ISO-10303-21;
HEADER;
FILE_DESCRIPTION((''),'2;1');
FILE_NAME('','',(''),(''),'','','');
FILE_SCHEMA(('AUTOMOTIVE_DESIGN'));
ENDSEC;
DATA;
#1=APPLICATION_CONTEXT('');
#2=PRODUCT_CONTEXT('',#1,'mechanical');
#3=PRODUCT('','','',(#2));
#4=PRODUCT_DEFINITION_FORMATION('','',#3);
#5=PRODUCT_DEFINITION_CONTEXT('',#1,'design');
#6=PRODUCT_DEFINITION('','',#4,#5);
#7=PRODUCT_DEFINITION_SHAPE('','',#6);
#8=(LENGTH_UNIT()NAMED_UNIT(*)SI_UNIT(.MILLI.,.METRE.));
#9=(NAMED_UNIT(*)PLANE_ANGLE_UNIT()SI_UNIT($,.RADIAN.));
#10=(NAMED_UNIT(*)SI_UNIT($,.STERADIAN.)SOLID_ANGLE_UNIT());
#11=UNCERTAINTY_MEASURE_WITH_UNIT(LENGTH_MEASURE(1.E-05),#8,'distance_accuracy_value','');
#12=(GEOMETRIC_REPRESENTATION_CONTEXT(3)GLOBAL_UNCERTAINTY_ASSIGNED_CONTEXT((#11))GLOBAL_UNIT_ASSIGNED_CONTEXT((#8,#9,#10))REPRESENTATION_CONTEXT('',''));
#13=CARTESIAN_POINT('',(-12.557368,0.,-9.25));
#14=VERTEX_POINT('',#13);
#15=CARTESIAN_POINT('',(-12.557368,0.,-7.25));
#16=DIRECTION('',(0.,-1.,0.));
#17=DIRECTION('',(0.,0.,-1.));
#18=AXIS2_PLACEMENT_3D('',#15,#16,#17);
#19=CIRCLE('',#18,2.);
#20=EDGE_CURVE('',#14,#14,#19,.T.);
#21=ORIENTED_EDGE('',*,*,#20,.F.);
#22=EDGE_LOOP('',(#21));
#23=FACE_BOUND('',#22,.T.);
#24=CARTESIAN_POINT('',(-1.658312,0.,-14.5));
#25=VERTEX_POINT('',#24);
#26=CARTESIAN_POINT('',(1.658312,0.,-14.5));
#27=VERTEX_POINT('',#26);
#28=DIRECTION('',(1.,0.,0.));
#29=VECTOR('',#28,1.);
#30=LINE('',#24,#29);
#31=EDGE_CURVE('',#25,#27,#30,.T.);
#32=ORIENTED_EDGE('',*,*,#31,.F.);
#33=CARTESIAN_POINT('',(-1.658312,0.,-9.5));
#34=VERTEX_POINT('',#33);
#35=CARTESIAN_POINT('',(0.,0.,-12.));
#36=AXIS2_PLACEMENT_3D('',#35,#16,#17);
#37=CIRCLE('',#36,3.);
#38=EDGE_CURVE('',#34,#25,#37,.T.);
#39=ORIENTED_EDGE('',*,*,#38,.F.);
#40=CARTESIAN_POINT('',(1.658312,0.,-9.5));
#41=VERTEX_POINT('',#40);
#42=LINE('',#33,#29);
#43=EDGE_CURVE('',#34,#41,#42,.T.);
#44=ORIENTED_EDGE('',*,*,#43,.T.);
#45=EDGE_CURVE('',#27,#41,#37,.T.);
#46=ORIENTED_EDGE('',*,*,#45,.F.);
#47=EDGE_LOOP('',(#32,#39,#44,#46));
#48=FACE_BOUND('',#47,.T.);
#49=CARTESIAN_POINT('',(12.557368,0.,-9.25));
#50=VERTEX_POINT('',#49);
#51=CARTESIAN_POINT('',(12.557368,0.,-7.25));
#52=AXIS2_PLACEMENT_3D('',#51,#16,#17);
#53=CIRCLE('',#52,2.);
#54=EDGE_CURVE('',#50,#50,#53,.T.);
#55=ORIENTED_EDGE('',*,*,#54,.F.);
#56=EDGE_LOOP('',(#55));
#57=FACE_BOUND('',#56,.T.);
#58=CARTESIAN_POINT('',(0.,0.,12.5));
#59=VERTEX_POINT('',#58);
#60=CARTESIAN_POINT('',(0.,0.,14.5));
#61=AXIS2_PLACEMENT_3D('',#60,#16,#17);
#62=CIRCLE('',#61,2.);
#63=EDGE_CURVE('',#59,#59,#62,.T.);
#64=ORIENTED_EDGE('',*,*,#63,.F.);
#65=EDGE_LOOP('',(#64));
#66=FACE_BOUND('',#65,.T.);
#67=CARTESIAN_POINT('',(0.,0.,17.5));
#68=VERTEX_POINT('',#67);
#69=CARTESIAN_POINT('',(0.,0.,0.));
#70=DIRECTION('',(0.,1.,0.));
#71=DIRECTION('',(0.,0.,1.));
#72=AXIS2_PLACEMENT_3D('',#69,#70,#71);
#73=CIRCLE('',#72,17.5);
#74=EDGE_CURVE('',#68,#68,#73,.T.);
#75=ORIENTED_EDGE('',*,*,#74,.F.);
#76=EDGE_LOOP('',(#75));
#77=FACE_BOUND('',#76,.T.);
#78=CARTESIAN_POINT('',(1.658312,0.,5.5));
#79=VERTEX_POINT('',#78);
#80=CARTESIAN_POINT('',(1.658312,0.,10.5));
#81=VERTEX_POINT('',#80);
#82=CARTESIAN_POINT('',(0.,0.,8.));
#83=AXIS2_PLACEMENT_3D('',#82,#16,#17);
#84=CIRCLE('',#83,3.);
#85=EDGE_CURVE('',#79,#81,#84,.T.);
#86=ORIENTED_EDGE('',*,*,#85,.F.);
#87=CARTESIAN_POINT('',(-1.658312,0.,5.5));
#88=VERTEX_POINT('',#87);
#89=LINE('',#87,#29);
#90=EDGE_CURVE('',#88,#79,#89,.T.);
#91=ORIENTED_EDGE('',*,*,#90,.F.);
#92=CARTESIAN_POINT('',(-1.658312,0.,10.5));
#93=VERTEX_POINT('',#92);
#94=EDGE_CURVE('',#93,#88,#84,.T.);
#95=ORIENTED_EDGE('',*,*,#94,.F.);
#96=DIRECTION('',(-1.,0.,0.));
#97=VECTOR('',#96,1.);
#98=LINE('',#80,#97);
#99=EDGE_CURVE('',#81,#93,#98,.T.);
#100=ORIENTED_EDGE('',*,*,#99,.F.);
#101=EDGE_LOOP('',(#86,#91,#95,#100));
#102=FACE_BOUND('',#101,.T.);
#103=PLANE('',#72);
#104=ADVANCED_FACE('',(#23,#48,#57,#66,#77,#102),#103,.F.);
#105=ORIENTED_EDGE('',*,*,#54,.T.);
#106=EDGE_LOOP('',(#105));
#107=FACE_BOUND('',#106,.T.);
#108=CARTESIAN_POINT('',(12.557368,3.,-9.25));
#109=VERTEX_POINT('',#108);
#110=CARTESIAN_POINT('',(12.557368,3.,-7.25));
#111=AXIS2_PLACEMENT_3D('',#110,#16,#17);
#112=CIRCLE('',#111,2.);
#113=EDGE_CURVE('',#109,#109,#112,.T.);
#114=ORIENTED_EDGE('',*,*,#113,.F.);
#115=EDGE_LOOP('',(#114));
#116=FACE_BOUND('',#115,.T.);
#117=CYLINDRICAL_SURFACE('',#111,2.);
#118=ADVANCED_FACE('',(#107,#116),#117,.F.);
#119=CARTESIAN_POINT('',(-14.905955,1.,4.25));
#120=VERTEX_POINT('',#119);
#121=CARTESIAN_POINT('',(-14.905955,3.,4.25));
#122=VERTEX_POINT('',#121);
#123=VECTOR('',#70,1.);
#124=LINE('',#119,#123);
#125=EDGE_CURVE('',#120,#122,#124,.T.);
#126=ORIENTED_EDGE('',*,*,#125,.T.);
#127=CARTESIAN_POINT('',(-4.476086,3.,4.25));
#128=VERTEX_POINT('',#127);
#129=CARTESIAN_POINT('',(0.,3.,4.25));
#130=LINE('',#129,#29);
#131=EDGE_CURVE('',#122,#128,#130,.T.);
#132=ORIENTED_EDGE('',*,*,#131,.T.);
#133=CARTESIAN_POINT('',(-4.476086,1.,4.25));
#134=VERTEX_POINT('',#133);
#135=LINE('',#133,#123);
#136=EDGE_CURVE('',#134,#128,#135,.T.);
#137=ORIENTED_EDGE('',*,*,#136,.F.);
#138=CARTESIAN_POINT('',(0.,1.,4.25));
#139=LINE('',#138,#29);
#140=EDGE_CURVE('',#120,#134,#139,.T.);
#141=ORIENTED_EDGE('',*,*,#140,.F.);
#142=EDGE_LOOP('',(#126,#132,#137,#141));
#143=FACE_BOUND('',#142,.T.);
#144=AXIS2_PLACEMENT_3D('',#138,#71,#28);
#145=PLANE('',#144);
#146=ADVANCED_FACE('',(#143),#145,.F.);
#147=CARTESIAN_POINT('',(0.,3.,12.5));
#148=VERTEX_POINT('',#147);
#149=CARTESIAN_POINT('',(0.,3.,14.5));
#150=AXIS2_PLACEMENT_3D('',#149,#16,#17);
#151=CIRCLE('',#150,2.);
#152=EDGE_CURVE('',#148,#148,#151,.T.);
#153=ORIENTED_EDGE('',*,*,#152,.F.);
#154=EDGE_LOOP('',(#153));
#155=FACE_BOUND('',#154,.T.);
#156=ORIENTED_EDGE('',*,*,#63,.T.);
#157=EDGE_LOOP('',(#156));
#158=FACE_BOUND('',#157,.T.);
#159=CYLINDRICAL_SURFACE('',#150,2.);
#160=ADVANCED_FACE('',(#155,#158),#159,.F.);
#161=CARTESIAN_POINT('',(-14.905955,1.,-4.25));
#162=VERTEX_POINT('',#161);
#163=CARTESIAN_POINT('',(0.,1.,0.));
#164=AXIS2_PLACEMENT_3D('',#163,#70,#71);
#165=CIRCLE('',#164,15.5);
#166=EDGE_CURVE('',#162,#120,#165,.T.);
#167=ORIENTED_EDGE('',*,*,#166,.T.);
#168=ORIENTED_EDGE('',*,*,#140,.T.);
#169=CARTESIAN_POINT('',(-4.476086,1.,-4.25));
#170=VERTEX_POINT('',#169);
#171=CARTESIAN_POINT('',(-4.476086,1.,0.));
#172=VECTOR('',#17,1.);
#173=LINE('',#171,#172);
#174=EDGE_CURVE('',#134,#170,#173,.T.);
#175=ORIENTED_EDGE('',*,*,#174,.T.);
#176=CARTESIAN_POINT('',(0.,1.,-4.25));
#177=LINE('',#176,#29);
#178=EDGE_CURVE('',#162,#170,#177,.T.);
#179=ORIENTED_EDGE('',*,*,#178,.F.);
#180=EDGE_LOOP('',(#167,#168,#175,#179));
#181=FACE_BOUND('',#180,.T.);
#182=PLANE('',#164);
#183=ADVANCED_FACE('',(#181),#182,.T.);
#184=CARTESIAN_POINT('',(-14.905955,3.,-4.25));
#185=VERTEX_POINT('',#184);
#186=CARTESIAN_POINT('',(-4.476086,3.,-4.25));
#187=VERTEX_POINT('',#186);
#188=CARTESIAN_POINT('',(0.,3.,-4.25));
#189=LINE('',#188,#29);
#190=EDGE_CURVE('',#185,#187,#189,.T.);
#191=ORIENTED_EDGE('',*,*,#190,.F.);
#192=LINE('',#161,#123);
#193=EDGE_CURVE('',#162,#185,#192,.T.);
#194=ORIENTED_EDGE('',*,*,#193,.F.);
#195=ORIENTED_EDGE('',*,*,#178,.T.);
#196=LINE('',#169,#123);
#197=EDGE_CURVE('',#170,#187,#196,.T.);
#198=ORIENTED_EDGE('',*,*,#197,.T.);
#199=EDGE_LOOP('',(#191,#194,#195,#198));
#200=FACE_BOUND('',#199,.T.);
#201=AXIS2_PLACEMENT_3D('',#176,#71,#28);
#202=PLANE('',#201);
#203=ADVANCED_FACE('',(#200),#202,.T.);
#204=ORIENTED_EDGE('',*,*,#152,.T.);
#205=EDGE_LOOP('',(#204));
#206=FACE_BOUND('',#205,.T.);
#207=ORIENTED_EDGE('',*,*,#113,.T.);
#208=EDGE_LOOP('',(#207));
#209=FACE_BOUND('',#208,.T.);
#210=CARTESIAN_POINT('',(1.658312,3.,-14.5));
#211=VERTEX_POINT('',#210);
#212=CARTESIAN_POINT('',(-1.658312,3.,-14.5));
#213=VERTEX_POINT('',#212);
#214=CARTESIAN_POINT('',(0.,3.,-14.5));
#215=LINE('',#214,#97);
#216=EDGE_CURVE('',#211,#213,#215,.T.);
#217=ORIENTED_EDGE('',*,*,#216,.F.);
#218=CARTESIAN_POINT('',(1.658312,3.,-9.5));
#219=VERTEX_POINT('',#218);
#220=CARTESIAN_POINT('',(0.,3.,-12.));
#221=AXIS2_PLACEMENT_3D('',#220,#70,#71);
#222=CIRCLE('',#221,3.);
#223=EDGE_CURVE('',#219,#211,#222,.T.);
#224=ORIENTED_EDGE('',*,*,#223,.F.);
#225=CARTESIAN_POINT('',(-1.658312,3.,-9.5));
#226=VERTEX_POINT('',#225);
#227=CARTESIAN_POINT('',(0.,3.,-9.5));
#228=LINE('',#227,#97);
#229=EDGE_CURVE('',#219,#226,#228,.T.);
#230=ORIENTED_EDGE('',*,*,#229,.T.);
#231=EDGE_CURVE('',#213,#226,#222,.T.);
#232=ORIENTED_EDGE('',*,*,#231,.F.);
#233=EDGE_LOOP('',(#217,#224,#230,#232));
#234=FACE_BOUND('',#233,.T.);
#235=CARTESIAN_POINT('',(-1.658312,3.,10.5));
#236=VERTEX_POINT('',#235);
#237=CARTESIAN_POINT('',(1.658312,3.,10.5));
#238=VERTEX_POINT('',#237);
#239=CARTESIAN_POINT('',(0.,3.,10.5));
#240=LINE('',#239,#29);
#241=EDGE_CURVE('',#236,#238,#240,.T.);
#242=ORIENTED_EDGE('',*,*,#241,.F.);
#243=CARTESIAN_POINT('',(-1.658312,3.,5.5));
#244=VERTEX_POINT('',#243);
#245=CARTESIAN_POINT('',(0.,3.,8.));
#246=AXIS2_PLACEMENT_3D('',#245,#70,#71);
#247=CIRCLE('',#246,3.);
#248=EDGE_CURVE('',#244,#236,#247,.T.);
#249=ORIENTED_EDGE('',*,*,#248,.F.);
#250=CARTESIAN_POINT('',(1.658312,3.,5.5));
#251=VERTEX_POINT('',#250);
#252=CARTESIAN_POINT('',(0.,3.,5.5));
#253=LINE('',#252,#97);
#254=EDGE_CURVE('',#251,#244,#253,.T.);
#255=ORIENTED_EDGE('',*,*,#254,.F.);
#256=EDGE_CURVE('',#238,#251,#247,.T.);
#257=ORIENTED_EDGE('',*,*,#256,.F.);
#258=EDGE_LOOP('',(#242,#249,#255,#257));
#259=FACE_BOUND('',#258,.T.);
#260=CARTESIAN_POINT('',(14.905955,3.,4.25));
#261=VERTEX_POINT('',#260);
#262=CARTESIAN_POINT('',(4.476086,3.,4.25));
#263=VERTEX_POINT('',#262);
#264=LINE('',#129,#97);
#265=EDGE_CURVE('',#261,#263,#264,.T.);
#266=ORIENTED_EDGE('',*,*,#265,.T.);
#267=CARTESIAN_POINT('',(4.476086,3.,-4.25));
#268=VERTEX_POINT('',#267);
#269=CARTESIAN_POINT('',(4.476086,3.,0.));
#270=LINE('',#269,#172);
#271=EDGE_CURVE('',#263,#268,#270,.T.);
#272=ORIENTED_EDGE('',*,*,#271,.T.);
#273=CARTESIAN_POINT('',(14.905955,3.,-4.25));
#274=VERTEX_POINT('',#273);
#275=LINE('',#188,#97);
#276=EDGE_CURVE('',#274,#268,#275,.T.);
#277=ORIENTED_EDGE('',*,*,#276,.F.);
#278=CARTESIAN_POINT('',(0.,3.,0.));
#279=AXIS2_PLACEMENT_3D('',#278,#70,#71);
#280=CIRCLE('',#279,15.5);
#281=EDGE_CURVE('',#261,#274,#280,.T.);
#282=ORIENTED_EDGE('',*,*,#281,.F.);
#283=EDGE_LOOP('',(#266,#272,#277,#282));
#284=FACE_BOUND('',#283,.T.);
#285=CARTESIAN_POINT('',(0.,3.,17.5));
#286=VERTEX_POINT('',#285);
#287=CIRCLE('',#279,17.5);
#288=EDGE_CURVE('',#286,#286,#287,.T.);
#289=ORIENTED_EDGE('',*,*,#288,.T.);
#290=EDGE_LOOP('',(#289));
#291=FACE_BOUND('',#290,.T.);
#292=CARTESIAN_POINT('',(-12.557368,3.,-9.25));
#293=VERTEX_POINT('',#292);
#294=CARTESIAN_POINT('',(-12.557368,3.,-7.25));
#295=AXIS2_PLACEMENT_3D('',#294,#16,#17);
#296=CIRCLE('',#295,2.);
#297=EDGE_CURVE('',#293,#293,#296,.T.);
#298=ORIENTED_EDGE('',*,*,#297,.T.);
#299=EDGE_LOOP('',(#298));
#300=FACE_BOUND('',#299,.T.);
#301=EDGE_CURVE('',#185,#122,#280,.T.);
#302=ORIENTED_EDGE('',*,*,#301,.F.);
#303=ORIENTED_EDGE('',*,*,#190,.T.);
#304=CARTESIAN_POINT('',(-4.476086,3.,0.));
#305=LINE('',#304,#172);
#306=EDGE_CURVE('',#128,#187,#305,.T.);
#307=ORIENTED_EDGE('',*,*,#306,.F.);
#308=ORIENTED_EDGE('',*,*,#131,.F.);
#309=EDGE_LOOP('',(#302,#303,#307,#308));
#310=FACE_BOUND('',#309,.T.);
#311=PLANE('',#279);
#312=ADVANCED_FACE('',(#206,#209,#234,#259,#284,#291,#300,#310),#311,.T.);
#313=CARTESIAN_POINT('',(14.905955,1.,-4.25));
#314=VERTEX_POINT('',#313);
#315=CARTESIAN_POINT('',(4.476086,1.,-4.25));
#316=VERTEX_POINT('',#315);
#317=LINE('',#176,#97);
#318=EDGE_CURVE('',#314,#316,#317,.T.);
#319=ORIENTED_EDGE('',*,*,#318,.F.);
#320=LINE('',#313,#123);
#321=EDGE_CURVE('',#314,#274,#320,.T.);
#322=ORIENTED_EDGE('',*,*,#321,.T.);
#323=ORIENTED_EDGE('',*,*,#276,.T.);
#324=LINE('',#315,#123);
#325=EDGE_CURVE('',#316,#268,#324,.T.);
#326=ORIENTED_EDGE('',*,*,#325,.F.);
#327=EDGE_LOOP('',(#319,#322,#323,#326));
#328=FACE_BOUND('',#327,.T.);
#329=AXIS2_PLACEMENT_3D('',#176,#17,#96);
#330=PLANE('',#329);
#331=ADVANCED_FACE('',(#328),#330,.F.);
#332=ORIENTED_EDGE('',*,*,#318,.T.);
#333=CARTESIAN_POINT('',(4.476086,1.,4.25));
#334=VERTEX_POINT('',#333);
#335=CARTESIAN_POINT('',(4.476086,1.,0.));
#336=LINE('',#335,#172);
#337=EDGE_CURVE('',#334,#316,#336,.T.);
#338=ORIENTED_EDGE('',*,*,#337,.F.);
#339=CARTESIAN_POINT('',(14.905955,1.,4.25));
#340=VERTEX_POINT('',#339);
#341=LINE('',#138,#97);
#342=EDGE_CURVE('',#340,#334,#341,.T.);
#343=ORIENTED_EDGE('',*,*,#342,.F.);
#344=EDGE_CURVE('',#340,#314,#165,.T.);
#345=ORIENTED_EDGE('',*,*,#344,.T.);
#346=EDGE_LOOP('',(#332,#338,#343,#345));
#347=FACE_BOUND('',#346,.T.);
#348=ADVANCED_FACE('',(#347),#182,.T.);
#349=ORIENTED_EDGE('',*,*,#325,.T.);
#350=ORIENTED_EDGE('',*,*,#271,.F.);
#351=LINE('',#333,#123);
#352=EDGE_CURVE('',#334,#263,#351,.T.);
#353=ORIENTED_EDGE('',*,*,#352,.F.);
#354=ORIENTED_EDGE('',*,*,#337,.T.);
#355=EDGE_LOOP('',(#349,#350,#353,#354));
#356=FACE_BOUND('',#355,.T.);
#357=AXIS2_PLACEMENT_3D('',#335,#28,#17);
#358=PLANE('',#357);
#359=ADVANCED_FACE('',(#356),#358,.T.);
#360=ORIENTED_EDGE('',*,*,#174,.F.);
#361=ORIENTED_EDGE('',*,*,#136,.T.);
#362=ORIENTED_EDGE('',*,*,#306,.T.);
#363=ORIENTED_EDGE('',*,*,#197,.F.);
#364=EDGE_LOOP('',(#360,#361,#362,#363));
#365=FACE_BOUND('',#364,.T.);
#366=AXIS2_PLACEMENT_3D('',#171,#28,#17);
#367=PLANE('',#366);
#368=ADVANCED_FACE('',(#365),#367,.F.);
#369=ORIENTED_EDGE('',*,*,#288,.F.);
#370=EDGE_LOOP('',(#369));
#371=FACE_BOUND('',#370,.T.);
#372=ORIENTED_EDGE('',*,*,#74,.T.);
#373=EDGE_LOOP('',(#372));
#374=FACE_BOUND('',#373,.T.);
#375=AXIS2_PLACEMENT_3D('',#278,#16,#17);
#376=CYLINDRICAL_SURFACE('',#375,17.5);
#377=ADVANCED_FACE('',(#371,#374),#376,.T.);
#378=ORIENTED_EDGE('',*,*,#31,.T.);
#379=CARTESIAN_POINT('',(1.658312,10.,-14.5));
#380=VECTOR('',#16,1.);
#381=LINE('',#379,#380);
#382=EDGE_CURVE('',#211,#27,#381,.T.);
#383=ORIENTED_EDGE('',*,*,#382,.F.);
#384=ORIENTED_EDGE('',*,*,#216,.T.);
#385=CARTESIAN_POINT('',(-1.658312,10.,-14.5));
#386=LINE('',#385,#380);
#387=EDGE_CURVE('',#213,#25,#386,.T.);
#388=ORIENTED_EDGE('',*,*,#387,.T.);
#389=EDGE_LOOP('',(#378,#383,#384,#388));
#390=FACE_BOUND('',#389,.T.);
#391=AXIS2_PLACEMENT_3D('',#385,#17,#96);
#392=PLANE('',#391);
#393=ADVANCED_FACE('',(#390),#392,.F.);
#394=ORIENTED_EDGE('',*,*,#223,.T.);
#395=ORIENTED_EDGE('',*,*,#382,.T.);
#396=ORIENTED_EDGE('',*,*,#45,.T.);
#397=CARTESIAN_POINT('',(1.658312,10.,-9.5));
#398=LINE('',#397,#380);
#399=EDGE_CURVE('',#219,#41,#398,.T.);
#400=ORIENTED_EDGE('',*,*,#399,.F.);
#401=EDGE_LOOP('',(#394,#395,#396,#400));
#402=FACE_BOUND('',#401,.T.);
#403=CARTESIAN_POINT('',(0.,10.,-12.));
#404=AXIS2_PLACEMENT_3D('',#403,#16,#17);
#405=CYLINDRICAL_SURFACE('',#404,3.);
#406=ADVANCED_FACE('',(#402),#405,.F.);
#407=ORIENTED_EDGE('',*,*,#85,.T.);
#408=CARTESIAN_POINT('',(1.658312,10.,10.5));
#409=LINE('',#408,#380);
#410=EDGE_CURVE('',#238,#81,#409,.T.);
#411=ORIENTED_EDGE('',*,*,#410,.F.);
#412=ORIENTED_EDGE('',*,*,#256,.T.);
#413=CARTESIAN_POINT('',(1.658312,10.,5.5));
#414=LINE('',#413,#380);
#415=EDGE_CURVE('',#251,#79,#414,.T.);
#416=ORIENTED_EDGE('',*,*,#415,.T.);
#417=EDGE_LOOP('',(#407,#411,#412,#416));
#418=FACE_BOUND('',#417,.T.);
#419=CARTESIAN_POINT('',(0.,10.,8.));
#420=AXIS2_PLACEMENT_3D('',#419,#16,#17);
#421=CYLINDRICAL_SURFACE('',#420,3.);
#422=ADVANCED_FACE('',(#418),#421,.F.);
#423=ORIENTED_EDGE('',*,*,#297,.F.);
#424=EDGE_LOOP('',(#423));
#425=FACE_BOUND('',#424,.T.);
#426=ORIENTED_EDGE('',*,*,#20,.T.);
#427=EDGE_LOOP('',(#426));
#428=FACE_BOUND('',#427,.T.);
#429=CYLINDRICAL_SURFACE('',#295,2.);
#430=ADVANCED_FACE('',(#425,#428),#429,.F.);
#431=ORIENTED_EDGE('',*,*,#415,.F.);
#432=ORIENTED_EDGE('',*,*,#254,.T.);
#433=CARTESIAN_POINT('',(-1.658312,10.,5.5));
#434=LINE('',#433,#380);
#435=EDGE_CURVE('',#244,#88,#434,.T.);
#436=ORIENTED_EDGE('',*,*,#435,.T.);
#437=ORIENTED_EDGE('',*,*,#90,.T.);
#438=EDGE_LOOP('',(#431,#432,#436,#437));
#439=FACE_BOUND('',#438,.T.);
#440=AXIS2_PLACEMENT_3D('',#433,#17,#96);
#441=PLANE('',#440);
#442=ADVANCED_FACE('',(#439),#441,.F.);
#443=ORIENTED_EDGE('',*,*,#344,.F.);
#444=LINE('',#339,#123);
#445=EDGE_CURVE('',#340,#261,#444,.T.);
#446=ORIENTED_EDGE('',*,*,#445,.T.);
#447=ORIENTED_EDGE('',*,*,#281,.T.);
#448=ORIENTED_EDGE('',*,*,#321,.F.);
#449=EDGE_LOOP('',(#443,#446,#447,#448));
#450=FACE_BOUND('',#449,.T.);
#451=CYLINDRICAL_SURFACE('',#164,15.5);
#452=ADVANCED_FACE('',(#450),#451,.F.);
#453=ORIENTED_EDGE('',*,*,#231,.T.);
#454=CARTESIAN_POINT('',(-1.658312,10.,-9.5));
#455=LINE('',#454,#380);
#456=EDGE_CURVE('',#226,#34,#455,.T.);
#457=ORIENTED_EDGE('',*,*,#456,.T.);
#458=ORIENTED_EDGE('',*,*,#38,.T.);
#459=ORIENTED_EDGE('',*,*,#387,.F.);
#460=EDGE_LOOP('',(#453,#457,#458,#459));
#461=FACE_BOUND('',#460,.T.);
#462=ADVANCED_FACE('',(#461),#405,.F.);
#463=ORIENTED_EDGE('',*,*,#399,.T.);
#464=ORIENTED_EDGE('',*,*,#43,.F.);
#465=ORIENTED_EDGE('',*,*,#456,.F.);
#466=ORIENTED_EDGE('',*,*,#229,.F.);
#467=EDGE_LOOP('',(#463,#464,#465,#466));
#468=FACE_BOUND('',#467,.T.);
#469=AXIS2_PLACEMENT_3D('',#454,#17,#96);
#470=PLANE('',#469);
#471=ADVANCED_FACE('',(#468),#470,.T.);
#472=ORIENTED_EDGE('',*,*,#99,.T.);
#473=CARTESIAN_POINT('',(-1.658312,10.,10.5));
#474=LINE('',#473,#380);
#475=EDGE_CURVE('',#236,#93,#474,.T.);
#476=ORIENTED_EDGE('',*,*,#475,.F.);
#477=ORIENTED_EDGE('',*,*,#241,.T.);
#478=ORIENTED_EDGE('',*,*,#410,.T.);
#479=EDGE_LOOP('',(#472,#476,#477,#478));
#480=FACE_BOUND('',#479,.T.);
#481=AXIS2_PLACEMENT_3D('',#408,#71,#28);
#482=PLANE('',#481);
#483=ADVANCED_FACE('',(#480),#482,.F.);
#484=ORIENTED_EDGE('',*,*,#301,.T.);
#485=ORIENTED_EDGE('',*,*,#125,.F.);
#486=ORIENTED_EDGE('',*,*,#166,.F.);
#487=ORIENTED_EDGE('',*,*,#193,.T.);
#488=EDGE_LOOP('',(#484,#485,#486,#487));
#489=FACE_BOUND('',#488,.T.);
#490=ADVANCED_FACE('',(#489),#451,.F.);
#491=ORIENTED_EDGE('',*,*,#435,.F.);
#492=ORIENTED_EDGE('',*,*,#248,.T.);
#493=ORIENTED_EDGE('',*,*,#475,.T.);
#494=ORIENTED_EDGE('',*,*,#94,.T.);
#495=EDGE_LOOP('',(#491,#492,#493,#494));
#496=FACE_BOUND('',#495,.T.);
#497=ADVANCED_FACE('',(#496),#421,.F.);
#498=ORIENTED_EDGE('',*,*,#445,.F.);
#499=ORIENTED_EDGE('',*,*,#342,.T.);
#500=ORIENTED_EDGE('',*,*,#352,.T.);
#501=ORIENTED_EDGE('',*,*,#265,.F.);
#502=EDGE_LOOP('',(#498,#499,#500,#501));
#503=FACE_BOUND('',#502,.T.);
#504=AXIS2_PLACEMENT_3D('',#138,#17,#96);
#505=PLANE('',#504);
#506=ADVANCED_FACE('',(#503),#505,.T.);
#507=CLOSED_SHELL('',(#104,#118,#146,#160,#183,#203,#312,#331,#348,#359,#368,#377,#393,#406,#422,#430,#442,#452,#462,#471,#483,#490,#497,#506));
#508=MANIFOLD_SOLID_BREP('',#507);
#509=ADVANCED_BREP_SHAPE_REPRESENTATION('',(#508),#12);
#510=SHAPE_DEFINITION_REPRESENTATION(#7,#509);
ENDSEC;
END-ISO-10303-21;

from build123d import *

# Parameters (mm, degrees)
CROQUIS1_R              = 17.5
CROQUIS1_R_2            = 13.5
SALIENTE_EXTRUIR1_DEPTH = 3
CORTAR_EXTRUIR1_DEPTH   = 2
CROQUIS3_R              = 2
CORTAR_EXTRUIR2_DEPTH   = 25.929901725
CORTAR_EXTRUIR3_DEPTH   = 10


with BuildPart() as part:
    # Croquis1 → Saliente-Extruir1 (new body)
    with BuildSketch(Plane(origin=(0, 0, 0), x_dir=(1, 0, 0), z_dir=(0, 1, 0))):
        with Locations(Location((0, 0, 0), (0, 0, 270))):
            Circle(CROQUIS1_R)
        Circle(CROQUIS1_R_2, mode=Mode.SUBTRACT)
        Circle(CROQUIS1_R_2)
    extrude(amount=SALIENTE_EXTRUIR1_DEPTH)

    # Croquis2 → Cortar-Extruir1 (cut)
    with BuildSketch(Plane(origin=(0, 3, 0), x_dir=(1, 0, 0), z_dir=(0, 1, 0))):
        with BuildLine():
            Line((-15.5, 0), (-4.476086121, 0))
            Line((-4.476086121, 0), (-4.476086121, 4.25))
            Line((-4.476086121, 4.25), (-14.905955186, 4.25))
            ThreePointArc((-14.905955186, 4.25), (-15.350770427, 2.14565778), (-15.5, 0))
        make_face()
        with BuildLine():
            Line((-4.476086121, -4.25), (-4.476086121, 0))
            Line((-4.476086121, 0), (-15.5, 0))
            ThreePointArc((-15.5, 0), (-15.350770427, -2.14565778), (-14.905955186, -4.25))
            Line((-14.905955186, -4.25), (-4.476086121, -4.25))
        make_face()
        with BuildLine():
            ThreePointArc((15.5, 0), (15.350770427, 2.14565778), (14.905955186, 4.25))
            Line((14.905955186, 4.25), (4.476086121, 4.25))
            Line((4.476086121, 4.25), (4.476086121, -4.25))
            Line((4.476086121, -4.25), (14.905955186, -4.25))
            ThreePointArc((14.905955186, -4.25), (15.350770427, -2.14565778), (15.5, 0))
        make_face()
    extrude(amount=-CORTAR_EXTRUIR1_DEPTH, mode=Mode.SUBTRACT)

    # Croquis3 → Cortar-Extruir2 (cut, through all)
    with BuildSketch(Plane(origin=(0, 0, 0), x_dir=(-1, 0, 0), z_dir=(0, -1, 0))):
        with Locations(Location((0, -14.5, 0), (0, 0, 90))):
            Circle(CROQUIS3_R)
        with Locations(Location((12.557368355, 7.25, 0), (0, 0, 90))):
            Circle(CROQUIS3_R)
        with Locations(Location((-12.557368355, 7.25, 0), (0, 0, 90))):
            Circle(CROQUIS3_R)
    extrude(amount=-CORTAR_EXTRUIR2_DEPTH, mode=Mode.SUBTRACT)

    # Croquis4 → Cortar-Extruir3 (cut)
    with BuildSketch(Plane(origin=(0, 0, 0), x_dir=(-1, 0, 0), z_dir=(0, -1, 0))):
        with BuildLine():
            Line((1.658312395, 14.5), (-1.658312395, 14.5))
            ThreePointArc((-1.658312395, 14.5), (-3, 12), (-1.658312395, 9.5))
            Line((-1.658312395, 9.5), (1.658312395, 9.5))
            ThreePointArc((1.658312395, 9.5), (3, 12), (1.658312395, 14.5))
        make_face()
        with BuildLine():
            Line((1.658312395, -5.5), (-1.658312395, -5.5))
            ThreePointArc((-1.658312395, -5.5), (-3, -8), (-1.658312395, -10.5))
            Line((-1.658312395, -10.5), (1.658312395, -10.5))
            ThreePointArc((1.658312395, -10.5), (3, -8), (1.658312395, -5.5))
        make_face()
    extrude(amount=-CORTAR_EXTRUIR3_DEPTH, mode=Mode.SUBTRACT)


solid = part.part
